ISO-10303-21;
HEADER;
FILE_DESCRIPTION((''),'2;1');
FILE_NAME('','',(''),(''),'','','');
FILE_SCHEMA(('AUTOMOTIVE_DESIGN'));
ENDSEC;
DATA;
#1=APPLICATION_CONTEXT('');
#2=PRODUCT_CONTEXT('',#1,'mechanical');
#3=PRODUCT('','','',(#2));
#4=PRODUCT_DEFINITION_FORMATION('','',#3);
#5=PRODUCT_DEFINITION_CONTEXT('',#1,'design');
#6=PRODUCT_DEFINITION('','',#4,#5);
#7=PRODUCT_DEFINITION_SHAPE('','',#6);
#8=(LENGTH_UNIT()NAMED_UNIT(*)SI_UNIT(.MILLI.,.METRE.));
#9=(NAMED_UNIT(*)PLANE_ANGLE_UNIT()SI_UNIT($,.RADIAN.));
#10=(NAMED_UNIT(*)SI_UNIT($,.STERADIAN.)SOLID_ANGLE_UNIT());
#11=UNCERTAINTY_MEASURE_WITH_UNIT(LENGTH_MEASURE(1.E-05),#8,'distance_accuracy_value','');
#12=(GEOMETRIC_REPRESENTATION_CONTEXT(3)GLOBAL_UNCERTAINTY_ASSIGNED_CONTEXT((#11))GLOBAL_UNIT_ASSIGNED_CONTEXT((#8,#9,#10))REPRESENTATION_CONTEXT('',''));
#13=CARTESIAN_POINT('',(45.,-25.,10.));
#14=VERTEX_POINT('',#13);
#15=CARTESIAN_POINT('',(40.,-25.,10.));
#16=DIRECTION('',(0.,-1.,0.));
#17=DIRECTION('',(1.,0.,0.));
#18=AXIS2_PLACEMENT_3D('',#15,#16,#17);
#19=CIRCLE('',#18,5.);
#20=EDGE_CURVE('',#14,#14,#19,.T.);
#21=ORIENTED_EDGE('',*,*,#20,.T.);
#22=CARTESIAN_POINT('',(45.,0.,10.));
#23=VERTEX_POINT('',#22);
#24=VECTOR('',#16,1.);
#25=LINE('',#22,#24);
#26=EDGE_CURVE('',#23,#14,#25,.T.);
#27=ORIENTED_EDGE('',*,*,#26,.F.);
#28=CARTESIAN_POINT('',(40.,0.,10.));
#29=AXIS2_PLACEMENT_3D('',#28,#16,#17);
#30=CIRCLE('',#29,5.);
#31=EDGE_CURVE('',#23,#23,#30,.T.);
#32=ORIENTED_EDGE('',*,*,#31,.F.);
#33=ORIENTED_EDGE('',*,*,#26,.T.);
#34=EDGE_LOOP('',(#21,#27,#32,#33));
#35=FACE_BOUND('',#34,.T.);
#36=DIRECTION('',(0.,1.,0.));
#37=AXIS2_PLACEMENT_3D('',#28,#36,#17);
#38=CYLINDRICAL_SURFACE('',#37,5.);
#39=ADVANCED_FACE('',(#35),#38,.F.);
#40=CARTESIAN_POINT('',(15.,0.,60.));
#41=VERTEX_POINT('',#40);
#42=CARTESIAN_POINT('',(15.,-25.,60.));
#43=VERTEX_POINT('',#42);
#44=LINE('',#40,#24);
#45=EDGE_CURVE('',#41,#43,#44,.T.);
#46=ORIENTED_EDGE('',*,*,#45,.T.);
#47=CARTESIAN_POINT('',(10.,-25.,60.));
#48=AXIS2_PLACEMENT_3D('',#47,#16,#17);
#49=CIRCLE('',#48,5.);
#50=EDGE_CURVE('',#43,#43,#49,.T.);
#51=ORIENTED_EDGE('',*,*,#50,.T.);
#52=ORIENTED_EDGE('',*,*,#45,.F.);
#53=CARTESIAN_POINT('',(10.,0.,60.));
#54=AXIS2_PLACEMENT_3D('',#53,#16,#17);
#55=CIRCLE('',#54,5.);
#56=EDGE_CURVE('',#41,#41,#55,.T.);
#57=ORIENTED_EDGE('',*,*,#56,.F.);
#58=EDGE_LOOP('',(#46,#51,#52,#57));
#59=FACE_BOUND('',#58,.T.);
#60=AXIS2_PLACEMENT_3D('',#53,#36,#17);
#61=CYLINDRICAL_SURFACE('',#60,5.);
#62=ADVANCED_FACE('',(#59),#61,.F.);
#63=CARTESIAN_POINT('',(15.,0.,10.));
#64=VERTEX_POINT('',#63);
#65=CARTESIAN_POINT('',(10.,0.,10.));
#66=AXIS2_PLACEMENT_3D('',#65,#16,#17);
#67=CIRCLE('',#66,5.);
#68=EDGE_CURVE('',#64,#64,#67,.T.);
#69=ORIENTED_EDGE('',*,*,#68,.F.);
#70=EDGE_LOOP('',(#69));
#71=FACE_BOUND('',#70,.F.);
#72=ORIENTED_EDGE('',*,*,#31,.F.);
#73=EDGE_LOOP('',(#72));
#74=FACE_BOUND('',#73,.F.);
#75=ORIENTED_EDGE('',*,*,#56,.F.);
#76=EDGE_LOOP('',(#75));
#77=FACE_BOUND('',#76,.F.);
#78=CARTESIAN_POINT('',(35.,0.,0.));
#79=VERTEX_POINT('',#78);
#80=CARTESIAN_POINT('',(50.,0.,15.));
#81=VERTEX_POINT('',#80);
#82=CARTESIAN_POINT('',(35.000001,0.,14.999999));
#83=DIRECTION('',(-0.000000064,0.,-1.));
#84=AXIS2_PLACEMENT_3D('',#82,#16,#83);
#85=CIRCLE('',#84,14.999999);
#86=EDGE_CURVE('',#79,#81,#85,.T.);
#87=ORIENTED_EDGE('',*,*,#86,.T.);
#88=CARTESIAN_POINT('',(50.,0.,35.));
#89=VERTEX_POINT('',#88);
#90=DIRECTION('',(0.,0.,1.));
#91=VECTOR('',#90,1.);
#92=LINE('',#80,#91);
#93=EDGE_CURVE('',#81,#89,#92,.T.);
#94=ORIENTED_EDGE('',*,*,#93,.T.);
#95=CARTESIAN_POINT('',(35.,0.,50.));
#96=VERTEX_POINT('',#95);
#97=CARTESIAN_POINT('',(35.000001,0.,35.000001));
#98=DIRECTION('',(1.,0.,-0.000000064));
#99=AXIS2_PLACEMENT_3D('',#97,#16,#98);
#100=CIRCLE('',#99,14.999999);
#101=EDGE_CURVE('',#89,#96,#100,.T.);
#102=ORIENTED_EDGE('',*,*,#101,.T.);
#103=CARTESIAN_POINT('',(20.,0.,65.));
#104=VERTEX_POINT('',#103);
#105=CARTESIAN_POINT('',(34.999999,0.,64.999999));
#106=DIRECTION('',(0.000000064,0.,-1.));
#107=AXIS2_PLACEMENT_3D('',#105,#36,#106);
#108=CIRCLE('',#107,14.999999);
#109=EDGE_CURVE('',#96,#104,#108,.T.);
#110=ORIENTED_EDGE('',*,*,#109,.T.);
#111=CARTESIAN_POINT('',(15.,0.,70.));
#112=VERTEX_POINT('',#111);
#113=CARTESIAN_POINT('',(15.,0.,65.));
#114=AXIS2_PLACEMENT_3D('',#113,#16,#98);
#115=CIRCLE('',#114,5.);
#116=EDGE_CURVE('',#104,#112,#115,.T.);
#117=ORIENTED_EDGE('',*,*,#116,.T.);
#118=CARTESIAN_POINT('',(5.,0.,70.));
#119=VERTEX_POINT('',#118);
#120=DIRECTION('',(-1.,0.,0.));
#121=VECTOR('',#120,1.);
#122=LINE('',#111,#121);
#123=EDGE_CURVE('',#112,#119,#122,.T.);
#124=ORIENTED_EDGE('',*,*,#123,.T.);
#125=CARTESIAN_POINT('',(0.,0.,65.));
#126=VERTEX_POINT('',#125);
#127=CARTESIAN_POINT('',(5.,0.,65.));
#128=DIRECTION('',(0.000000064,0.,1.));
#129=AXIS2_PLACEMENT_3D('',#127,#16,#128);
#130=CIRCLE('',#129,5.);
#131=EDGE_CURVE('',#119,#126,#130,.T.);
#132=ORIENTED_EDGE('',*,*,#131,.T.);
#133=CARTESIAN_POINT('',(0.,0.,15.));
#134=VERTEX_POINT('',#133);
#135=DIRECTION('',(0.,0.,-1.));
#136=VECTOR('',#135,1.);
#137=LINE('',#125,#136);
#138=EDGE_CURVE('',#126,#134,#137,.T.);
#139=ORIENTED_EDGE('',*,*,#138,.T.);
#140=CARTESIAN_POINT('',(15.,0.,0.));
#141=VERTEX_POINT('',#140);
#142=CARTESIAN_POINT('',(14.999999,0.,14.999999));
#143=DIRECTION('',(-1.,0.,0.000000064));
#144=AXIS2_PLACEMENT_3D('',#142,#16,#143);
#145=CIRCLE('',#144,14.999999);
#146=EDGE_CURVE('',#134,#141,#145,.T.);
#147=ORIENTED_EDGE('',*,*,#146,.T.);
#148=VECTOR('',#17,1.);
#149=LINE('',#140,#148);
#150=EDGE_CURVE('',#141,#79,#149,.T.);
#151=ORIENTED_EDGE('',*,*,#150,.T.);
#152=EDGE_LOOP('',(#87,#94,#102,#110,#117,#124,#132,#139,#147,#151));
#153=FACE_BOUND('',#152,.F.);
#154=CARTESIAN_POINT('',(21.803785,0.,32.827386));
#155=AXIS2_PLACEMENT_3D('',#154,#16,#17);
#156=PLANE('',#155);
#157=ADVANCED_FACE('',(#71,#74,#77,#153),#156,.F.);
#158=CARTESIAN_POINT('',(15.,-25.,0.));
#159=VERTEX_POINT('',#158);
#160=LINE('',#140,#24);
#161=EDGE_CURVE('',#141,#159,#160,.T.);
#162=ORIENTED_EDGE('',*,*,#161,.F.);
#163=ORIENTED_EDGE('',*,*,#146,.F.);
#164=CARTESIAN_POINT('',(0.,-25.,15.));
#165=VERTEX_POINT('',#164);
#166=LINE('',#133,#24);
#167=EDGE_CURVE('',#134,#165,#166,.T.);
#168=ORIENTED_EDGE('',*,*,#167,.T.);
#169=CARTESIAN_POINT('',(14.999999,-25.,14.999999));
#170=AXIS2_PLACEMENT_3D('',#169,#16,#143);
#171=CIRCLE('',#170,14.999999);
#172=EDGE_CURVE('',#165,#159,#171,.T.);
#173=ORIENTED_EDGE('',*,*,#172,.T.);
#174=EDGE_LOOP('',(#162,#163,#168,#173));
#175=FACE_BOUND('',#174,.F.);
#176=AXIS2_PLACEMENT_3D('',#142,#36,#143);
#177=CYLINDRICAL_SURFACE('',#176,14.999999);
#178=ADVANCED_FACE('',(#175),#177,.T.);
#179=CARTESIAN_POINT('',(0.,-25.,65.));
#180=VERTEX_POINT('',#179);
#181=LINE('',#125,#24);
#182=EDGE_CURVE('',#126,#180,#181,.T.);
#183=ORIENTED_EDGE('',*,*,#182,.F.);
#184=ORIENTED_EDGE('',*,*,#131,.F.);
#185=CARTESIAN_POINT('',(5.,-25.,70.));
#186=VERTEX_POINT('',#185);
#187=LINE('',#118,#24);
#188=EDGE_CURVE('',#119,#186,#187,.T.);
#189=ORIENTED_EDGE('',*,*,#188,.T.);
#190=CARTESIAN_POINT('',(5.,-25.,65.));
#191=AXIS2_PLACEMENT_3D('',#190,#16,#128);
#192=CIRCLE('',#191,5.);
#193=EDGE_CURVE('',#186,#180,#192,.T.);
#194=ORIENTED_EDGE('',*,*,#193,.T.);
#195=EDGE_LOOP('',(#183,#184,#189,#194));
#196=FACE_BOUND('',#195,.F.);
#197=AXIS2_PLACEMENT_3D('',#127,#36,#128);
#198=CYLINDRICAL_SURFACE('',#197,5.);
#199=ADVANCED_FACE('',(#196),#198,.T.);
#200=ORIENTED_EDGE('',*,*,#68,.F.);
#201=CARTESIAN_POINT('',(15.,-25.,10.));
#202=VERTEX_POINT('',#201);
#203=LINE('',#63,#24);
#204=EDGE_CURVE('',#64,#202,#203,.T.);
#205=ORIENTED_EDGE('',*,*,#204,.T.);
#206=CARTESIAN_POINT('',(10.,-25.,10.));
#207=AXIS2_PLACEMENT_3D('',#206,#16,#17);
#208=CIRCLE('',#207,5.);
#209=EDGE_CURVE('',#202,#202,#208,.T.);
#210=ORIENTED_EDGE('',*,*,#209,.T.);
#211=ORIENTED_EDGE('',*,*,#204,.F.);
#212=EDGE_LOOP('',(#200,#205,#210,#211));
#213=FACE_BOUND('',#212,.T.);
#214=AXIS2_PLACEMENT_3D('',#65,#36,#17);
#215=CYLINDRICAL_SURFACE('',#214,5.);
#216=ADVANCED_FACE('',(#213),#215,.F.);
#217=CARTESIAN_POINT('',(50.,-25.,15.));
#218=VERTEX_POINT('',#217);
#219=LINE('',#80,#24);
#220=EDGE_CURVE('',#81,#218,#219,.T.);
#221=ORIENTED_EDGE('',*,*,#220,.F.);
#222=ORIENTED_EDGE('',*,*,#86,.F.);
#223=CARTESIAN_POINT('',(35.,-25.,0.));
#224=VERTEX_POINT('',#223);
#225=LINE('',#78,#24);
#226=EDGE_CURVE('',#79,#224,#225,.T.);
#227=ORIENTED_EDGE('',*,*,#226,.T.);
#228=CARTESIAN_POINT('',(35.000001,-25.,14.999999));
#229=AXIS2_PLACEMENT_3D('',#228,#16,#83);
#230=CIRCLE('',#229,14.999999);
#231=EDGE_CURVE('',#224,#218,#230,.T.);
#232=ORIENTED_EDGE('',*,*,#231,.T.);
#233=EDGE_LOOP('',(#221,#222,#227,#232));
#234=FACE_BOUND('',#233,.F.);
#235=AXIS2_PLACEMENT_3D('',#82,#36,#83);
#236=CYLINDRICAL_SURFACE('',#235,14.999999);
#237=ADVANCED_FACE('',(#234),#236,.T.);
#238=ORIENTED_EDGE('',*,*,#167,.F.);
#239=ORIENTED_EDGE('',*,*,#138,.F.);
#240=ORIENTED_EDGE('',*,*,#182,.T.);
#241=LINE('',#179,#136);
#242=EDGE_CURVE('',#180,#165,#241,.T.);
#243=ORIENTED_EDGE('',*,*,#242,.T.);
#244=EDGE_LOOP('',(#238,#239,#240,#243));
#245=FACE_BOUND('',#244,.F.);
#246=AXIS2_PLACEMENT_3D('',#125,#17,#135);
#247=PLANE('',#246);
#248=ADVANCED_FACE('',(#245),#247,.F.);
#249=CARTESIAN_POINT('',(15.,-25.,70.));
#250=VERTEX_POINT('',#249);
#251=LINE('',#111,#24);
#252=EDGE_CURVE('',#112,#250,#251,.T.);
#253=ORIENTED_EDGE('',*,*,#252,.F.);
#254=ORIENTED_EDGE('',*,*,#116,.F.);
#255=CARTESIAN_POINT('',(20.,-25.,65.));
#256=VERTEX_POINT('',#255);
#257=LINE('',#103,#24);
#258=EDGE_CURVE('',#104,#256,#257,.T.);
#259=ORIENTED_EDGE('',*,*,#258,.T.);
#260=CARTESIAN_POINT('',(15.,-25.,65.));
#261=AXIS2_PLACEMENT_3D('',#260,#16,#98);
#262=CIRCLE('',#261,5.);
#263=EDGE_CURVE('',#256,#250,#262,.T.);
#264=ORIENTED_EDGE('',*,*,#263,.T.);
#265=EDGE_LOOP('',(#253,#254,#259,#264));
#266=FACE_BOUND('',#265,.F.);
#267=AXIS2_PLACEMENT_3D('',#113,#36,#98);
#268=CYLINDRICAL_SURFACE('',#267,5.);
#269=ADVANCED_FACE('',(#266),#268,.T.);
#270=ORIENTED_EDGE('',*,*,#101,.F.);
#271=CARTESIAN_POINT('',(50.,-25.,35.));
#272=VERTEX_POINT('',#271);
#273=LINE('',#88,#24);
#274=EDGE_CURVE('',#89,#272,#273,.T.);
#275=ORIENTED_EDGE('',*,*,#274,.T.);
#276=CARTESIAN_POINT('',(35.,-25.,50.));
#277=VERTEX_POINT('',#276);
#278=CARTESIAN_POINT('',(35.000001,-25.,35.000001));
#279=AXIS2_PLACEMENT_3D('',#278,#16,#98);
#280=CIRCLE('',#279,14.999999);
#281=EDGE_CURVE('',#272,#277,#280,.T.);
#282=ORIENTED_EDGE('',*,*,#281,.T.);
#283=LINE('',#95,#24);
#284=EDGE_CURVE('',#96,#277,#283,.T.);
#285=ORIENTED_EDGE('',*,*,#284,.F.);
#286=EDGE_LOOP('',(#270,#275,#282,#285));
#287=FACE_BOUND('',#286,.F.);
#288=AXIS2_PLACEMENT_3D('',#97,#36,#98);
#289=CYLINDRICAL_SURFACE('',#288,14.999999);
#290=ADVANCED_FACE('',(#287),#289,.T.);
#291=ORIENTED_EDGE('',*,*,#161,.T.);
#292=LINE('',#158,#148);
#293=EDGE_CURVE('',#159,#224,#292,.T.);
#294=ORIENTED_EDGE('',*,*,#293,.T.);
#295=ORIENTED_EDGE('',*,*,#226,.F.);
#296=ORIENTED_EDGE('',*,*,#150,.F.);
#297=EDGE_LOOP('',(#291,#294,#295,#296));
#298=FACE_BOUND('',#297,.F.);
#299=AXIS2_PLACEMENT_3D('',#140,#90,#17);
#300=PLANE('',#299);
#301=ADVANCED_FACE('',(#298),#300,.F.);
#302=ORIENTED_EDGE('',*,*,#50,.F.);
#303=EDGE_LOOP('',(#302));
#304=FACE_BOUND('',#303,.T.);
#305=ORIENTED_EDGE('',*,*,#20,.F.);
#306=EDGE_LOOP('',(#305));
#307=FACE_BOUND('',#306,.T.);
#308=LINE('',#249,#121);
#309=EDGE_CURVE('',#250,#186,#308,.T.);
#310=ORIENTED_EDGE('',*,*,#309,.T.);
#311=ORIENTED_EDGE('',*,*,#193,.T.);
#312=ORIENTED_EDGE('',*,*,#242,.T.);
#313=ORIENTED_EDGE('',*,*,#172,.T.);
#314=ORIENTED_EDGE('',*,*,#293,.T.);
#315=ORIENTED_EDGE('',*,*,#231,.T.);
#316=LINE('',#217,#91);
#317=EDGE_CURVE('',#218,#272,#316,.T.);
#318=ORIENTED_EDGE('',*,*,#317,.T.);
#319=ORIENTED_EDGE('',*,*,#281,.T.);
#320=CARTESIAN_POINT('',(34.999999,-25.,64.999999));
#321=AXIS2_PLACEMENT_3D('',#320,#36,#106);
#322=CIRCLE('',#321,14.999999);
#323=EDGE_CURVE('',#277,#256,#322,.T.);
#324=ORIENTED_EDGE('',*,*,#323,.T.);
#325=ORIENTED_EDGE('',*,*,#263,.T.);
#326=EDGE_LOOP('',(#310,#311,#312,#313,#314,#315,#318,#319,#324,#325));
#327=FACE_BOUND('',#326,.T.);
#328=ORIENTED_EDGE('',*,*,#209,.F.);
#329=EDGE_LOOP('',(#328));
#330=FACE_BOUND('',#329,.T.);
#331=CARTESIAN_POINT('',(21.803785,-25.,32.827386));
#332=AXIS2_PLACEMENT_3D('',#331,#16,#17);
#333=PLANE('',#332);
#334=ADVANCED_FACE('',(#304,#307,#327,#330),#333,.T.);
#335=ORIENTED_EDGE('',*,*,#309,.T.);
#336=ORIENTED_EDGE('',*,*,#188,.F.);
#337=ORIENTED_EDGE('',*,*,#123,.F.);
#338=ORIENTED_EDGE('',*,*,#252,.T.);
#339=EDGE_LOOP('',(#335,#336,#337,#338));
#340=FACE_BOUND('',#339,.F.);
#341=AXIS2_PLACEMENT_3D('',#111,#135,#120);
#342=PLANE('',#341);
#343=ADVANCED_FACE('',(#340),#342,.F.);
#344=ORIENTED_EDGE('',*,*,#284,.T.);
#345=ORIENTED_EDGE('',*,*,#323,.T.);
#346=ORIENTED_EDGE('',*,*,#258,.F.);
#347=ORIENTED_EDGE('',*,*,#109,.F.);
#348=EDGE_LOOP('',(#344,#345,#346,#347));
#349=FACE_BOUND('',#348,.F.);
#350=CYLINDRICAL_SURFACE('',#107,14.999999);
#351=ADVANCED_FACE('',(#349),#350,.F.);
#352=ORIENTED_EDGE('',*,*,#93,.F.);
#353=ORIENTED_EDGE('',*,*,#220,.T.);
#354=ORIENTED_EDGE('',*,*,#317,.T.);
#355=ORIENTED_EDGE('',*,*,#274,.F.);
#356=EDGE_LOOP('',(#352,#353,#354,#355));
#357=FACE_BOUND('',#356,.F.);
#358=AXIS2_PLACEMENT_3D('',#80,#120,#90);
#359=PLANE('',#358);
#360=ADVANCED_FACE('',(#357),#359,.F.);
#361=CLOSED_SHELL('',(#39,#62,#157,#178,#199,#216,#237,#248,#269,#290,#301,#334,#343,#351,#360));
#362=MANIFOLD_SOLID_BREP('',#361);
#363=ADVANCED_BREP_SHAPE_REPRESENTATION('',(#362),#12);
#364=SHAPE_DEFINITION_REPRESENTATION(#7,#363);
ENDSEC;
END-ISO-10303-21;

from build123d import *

# Parameters (mm, degrees)
F0_R     = 5
F1_DEPTH = 25


with BuildPart() as f1:
    # F0 (on Front) → F1 (new body)
    with BuildSketch(Plane.XZ):
        with BuildLine():
            ThreePointArc((0, 15), (4.393398, 4.393398), (15, 0))
            Line((15, 0), (35, 0))
            ThreePointArc((35, 0), (45.606602, 4.393398), (50, 15))
            Line((50, 15), (50, 35))
            ThreePointArc((50, 35), (45.606602, 45.606602), (35, 50))
            ThreePointArc((35, 50), (24.393398, 54.393398), (20, 65))
            ThreePointArc((20, 65), (18.535534, 68.535534), (15, 70))
            Line((15, 70), (5, 70))
            ThreePointArc((5, 70), (1.464466, 68.535534), (0, 65))
            Line((0, 65), (0, 15))
        make_face()
        with Locations((10, 10)):
            Circle(F0_R, mode=Mode.SUBTRACT)
        with Locations((40, 10)):
            Circle(F0_R, mode=Mode.SUBTRACT)
        with Locations((10, 60)):
            Circle(F0_R, mode=Mode.SUBTRACT)
    extrude(amount=F1_DEPTH)


solid = f1.part
